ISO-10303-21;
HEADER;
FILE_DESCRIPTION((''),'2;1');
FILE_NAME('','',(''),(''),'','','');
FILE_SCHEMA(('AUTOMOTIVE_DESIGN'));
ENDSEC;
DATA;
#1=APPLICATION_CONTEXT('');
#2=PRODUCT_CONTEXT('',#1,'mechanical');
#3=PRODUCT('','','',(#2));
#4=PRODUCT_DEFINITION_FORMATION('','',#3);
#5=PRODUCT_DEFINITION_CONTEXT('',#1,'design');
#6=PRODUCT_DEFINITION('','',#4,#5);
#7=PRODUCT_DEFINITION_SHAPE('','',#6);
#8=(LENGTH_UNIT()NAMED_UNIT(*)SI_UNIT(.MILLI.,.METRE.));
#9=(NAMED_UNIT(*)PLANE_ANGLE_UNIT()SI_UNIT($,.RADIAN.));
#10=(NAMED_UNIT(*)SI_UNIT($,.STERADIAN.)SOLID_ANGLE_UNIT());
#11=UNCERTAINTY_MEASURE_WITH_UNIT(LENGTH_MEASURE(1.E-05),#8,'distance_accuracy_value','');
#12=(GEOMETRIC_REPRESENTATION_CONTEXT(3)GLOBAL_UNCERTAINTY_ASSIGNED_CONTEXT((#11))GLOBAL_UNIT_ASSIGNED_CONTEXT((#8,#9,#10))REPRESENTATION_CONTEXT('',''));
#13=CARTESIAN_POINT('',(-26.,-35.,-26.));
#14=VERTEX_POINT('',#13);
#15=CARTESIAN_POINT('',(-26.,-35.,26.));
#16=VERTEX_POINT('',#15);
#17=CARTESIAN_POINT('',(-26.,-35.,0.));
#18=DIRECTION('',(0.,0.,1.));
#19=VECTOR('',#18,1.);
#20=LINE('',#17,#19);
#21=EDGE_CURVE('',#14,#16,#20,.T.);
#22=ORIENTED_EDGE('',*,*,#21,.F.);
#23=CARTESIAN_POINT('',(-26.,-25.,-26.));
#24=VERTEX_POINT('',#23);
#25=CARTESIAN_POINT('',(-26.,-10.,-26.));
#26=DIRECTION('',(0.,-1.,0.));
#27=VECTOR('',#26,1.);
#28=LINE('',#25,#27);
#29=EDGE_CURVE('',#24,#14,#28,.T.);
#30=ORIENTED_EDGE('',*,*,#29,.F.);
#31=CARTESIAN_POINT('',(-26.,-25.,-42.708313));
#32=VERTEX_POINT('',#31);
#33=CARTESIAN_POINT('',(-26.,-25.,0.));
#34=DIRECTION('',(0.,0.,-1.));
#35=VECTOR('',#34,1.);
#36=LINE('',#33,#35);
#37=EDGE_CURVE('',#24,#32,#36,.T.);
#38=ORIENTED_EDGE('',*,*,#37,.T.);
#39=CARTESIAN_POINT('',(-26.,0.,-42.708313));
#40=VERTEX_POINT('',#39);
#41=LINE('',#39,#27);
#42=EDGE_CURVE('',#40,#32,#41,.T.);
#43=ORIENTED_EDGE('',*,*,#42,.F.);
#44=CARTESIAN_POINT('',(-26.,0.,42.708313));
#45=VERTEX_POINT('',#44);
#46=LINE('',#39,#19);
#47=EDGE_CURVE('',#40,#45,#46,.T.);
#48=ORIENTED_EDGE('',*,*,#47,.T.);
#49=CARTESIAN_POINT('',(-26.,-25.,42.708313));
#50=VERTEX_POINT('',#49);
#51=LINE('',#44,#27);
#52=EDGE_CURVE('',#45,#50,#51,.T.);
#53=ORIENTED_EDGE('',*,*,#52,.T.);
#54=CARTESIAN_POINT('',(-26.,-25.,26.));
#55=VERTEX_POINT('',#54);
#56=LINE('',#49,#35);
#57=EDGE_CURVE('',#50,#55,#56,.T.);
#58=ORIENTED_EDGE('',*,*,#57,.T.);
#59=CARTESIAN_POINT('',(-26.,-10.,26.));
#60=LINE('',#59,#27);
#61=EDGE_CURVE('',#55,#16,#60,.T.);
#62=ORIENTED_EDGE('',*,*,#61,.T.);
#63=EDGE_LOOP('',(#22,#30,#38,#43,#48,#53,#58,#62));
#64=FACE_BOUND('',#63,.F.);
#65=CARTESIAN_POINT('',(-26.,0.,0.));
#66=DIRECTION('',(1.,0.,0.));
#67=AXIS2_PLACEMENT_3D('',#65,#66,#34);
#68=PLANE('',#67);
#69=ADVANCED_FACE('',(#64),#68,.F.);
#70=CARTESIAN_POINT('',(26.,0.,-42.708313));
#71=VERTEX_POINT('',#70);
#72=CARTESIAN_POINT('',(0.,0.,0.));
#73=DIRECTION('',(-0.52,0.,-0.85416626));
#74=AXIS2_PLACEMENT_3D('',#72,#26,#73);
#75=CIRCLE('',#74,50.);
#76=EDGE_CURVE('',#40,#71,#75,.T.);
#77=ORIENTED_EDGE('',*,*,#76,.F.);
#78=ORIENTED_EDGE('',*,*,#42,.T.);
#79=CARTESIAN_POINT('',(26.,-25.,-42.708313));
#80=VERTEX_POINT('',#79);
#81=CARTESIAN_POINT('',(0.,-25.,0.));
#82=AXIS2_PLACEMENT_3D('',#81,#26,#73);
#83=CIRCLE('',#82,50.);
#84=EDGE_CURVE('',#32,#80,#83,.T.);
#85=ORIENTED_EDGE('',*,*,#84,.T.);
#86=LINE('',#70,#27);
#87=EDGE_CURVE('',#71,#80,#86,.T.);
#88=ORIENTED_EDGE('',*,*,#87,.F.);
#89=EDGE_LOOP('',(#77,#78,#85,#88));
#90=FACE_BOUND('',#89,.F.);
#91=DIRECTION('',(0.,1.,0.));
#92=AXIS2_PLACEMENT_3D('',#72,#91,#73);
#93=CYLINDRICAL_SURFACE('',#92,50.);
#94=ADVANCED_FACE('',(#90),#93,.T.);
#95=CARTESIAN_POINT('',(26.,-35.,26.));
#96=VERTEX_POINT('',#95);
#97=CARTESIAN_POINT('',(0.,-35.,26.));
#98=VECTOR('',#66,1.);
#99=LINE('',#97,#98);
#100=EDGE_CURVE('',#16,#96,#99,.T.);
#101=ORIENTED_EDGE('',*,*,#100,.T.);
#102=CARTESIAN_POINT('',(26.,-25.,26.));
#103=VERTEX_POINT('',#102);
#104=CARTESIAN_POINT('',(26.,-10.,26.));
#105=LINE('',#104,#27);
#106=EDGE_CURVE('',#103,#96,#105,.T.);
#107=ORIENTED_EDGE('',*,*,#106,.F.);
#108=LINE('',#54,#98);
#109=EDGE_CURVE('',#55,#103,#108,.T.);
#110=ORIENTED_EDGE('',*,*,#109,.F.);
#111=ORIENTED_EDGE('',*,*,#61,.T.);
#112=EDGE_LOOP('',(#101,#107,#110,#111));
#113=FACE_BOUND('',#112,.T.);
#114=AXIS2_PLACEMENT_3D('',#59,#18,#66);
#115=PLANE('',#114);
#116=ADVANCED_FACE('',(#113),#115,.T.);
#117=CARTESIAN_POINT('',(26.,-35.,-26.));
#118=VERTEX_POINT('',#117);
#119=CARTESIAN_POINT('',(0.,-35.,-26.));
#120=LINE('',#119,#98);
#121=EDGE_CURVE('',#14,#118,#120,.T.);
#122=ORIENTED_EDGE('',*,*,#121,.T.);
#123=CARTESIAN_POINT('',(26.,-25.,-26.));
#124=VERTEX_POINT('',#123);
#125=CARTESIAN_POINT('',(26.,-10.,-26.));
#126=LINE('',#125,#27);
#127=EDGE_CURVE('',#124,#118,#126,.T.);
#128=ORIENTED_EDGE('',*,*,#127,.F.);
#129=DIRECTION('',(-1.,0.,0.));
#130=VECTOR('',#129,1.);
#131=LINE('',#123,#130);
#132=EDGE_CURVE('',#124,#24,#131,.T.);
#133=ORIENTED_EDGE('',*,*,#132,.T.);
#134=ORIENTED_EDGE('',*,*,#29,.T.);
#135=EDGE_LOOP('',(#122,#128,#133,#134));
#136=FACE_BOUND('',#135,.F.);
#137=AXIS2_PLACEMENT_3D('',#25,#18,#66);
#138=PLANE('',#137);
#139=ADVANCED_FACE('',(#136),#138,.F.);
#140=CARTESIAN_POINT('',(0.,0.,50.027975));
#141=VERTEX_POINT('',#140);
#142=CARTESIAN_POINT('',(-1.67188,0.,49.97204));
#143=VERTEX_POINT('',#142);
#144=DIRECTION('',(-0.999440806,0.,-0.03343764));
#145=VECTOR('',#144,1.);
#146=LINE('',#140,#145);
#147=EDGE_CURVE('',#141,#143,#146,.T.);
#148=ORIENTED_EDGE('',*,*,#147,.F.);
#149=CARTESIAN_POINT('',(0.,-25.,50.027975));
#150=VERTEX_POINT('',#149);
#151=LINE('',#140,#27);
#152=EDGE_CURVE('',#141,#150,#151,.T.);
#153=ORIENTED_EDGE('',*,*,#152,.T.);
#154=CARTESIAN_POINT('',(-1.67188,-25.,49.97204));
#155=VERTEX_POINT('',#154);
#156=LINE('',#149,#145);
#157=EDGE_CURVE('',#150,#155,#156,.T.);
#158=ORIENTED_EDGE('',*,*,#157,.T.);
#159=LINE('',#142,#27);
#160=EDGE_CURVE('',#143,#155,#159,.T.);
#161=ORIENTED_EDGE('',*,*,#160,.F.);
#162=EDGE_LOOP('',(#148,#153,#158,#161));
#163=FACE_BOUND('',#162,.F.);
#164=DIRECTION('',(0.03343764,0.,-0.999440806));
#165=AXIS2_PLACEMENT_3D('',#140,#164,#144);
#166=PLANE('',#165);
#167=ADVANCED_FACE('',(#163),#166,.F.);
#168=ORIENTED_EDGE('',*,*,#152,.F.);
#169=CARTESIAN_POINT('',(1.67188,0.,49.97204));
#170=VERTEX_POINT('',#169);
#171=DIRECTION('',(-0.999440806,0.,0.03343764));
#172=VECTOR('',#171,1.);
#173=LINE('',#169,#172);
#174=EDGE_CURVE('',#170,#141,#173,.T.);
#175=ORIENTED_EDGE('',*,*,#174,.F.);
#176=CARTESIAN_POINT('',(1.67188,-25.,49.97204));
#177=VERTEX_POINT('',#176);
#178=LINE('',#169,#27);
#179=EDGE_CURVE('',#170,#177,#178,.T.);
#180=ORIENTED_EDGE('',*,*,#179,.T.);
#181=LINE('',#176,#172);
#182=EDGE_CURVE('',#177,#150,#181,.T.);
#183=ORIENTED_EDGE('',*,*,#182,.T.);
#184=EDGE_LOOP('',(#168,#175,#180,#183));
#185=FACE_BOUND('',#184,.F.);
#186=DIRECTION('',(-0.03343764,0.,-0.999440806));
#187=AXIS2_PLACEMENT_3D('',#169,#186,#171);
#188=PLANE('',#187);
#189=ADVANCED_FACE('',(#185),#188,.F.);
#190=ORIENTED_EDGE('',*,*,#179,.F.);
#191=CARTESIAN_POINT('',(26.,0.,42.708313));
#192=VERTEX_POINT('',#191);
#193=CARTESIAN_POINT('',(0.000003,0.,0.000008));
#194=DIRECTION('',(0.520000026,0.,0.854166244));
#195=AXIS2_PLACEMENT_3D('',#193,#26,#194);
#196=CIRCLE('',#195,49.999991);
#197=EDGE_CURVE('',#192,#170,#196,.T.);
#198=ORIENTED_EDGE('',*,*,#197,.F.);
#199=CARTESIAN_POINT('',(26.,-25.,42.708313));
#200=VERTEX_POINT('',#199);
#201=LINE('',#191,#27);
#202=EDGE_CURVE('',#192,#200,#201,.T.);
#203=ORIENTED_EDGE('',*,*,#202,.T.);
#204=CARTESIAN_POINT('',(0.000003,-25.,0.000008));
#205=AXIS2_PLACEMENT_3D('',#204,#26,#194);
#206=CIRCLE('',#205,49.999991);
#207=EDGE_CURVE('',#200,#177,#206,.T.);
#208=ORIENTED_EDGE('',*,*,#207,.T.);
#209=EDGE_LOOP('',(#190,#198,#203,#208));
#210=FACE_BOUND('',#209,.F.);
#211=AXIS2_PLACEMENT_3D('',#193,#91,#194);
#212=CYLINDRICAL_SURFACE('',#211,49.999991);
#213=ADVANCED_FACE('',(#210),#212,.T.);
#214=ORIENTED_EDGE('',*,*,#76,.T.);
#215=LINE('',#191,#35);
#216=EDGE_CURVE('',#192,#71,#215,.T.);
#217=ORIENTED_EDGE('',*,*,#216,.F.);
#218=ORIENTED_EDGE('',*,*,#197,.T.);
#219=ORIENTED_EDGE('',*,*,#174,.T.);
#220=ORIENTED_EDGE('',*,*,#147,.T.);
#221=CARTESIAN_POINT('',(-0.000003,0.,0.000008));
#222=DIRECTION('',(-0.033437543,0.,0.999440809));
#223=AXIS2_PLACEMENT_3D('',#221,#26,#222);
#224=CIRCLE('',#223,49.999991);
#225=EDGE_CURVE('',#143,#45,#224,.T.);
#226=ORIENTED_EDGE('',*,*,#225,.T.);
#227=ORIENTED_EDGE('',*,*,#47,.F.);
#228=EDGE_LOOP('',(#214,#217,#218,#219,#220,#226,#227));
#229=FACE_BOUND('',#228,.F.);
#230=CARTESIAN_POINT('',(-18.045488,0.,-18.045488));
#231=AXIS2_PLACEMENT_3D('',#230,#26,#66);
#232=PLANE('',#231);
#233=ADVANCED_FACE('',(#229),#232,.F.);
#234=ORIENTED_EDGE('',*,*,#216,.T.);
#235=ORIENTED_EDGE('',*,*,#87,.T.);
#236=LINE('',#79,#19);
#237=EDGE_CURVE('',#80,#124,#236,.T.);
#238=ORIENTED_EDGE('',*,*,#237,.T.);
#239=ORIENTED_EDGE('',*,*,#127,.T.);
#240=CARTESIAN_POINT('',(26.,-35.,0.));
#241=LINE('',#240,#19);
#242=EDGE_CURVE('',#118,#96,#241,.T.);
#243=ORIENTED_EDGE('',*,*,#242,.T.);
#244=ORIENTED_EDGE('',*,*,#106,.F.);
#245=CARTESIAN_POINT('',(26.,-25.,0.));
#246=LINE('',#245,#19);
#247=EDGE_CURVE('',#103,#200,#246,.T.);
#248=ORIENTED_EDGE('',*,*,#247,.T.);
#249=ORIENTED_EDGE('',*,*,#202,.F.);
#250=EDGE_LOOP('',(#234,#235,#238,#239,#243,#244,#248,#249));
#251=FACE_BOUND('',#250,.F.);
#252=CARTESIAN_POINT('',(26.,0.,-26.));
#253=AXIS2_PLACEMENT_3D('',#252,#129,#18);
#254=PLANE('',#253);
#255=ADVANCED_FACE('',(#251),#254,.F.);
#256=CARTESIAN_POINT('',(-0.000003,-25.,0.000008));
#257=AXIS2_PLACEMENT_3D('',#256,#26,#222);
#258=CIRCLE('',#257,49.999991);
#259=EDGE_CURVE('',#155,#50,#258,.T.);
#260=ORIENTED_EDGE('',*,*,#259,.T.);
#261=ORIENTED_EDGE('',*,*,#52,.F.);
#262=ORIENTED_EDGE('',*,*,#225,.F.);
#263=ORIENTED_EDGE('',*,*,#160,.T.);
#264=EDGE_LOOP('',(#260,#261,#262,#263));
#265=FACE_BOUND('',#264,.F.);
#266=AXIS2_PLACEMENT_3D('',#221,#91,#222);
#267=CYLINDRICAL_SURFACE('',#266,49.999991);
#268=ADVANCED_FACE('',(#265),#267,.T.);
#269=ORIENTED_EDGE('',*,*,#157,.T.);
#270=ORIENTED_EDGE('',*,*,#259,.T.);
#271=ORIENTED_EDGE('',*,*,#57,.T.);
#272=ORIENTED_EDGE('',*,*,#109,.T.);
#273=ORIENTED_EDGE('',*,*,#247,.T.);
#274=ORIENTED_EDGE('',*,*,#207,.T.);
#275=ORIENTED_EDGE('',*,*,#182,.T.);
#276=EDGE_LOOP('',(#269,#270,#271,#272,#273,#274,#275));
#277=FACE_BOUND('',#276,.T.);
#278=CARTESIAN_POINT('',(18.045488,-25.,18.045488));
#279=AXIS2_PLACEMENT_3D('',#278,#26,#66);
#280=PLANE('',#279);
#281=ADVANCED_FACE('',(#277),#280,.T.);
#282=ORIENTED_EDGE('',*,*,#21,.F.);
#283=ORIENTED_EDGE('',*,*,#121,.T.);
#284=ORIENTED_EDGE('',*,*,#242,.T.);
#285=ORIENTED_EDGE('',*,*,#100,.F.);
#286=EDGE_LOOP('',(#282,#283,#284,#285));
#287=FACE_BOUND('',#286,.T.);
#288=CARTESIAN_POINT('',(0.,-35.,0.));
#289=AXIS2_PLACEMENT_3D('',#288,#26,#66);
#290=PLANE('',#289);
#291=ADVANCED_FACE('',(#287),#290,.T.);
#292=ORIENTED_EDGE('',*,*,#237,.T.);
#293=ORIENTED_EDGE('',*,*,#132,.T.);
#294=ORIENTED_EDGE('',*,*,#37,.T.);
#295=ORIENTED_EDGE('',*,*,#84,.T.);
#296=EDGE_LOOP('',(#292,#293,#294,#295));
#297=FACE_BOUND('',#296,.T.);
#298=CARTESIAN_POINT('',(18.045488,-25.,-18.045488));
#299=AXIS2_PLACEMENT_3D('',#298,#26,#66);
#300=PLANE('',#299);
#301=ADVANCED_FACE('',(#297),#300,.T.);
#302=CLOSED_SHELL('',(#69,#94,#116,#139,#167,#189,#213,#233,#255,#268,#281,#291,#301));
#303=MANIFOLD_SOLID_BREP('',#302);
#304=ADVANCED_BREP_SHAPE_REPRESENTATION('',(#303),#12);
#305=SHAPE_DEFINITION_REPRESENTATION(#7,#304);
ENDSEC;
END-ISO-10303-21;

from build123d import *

# Parameters (mm, degrees)
F0_R      = 12.7
F1_DEPTH  = 10
F1_FACE_W = 52
F1_FACE_H = 52
F2_DEPTH  = 25


with BuildPart() as f1:
    # F0 (on Front) → F1 (new body)
    with BuildSketch(Plane.XZ):
        with BuildLine():
            Line((-26, -26), (0, -26))
            ThreePointArc((0, -26), (-18.384776, -18.384776), (-26, 0))
            Line((-26, 0), (-26, -26))
        make_face()
        with BuildLine():
            Line((26, -26), (26, 0))
            ThreePointArc((26, 0), (18.384776, -18.384776), (0, -26))
            Line((0, -26), (26, -26))
        make_face()
        with BuildLine():
            ThreePointArc((-26, 0), (-18.384776, 18.384776), (0, 26))
            Line((0, 26), (-26, 26))
            Line((-26, 26), (-26, 0))
        make_face()
        with BuildLine():
            ThreePointArc((0, 26), (18.384776, 18.384776), (26, 0))
            Line((26, 0), (26, 26))
            Line((26, 26), (0, 26))
        make_face()
        with BuildLine():
            ThreePointArc((0, -26), (18.384776, -18.384776), (26, 0))
            ThreePointArc((26, 0), (18.384776, 18.384776), (0, 26))
            ThreePointArc((0, 26), (-18.384776, 18.384776), (-26, 0))
            ThreePointArc((-26, 0), (-18.384776, -18.384776), (0, -26))
        make_face()
        Circle(F0_R, mode=Mode.SUBTRACT)
        Circle(F0_R)
    extrude(amount=F1_DEPTH)

    # F0 (on Front) + F1_face (on face) → F2 (join)
    with BuildSketch(Plane.XZ):
        with BuildLine():
            Line((26, -26), (26, 0))
            ThreePointArc((26, 0), (18.384776, -18.384776), (0, -26))
            Line((0, -26), (26, -26))
        make_face()
        with BuildLine():
            ThreePointArc((0, 26), (18.384776, 18.384776), (26, 0))
            Line((26, 0), (26, 26))
            Line((26, 26), (0, 26))
        make_face()
        with BuildLine():
            Line((-26, 26), (0, 26))
            Line((0, 26), (26, 26))
            Line((26, 26), (26, 42.708313))
            ThreePointArc((26, 42.708313), (14.304673, 47.910086), (1.67188, 49.97204))
            Line((1.67188, 49.97204), (0, 50.027975))
            Line((0, 50.027975), (-1.67188, 49.97204))
            ThreePointArc((-1.67188, 49.97204), (-14.304673, 47.910086), (-26, 42.708313))
            Line((-26, 42.708313), (-26, 26))
        make_face()
        with BuildLine():
            ThreePointArc((-26, 0), (-18.384776, 18.384776), (0, 26))
            Line((0, 26), (-26, 26))
            Line((-26, 26), (-26, 0))
        make_face()
        with BuildLine():
            Line((-26, -26), (0, -26))
            ThreePointArc((0, -26), (-18.384776, -18.384776), (-26, 0))
            Line((-26, 0), (-26, -26))
        make_face()
        with BuildLine():
            Line((26, -26), (0, -26))
            Line((0, -26), (-26, -26))
            Line((-26, -26), (-26, -42.708313))
            ThreePointArc((-26, -42.708313), (0, -50), (26, -42.708313))
            Line((26, -42.708313), (26, -26))
        make_face()
    with BuildSketch(Plane.XZ.offset(10)):
        Rectangle(F1_FACE_W, F1_FACE_H)
    extrude(amount=F2_DEPTH)


solid = f1.part
